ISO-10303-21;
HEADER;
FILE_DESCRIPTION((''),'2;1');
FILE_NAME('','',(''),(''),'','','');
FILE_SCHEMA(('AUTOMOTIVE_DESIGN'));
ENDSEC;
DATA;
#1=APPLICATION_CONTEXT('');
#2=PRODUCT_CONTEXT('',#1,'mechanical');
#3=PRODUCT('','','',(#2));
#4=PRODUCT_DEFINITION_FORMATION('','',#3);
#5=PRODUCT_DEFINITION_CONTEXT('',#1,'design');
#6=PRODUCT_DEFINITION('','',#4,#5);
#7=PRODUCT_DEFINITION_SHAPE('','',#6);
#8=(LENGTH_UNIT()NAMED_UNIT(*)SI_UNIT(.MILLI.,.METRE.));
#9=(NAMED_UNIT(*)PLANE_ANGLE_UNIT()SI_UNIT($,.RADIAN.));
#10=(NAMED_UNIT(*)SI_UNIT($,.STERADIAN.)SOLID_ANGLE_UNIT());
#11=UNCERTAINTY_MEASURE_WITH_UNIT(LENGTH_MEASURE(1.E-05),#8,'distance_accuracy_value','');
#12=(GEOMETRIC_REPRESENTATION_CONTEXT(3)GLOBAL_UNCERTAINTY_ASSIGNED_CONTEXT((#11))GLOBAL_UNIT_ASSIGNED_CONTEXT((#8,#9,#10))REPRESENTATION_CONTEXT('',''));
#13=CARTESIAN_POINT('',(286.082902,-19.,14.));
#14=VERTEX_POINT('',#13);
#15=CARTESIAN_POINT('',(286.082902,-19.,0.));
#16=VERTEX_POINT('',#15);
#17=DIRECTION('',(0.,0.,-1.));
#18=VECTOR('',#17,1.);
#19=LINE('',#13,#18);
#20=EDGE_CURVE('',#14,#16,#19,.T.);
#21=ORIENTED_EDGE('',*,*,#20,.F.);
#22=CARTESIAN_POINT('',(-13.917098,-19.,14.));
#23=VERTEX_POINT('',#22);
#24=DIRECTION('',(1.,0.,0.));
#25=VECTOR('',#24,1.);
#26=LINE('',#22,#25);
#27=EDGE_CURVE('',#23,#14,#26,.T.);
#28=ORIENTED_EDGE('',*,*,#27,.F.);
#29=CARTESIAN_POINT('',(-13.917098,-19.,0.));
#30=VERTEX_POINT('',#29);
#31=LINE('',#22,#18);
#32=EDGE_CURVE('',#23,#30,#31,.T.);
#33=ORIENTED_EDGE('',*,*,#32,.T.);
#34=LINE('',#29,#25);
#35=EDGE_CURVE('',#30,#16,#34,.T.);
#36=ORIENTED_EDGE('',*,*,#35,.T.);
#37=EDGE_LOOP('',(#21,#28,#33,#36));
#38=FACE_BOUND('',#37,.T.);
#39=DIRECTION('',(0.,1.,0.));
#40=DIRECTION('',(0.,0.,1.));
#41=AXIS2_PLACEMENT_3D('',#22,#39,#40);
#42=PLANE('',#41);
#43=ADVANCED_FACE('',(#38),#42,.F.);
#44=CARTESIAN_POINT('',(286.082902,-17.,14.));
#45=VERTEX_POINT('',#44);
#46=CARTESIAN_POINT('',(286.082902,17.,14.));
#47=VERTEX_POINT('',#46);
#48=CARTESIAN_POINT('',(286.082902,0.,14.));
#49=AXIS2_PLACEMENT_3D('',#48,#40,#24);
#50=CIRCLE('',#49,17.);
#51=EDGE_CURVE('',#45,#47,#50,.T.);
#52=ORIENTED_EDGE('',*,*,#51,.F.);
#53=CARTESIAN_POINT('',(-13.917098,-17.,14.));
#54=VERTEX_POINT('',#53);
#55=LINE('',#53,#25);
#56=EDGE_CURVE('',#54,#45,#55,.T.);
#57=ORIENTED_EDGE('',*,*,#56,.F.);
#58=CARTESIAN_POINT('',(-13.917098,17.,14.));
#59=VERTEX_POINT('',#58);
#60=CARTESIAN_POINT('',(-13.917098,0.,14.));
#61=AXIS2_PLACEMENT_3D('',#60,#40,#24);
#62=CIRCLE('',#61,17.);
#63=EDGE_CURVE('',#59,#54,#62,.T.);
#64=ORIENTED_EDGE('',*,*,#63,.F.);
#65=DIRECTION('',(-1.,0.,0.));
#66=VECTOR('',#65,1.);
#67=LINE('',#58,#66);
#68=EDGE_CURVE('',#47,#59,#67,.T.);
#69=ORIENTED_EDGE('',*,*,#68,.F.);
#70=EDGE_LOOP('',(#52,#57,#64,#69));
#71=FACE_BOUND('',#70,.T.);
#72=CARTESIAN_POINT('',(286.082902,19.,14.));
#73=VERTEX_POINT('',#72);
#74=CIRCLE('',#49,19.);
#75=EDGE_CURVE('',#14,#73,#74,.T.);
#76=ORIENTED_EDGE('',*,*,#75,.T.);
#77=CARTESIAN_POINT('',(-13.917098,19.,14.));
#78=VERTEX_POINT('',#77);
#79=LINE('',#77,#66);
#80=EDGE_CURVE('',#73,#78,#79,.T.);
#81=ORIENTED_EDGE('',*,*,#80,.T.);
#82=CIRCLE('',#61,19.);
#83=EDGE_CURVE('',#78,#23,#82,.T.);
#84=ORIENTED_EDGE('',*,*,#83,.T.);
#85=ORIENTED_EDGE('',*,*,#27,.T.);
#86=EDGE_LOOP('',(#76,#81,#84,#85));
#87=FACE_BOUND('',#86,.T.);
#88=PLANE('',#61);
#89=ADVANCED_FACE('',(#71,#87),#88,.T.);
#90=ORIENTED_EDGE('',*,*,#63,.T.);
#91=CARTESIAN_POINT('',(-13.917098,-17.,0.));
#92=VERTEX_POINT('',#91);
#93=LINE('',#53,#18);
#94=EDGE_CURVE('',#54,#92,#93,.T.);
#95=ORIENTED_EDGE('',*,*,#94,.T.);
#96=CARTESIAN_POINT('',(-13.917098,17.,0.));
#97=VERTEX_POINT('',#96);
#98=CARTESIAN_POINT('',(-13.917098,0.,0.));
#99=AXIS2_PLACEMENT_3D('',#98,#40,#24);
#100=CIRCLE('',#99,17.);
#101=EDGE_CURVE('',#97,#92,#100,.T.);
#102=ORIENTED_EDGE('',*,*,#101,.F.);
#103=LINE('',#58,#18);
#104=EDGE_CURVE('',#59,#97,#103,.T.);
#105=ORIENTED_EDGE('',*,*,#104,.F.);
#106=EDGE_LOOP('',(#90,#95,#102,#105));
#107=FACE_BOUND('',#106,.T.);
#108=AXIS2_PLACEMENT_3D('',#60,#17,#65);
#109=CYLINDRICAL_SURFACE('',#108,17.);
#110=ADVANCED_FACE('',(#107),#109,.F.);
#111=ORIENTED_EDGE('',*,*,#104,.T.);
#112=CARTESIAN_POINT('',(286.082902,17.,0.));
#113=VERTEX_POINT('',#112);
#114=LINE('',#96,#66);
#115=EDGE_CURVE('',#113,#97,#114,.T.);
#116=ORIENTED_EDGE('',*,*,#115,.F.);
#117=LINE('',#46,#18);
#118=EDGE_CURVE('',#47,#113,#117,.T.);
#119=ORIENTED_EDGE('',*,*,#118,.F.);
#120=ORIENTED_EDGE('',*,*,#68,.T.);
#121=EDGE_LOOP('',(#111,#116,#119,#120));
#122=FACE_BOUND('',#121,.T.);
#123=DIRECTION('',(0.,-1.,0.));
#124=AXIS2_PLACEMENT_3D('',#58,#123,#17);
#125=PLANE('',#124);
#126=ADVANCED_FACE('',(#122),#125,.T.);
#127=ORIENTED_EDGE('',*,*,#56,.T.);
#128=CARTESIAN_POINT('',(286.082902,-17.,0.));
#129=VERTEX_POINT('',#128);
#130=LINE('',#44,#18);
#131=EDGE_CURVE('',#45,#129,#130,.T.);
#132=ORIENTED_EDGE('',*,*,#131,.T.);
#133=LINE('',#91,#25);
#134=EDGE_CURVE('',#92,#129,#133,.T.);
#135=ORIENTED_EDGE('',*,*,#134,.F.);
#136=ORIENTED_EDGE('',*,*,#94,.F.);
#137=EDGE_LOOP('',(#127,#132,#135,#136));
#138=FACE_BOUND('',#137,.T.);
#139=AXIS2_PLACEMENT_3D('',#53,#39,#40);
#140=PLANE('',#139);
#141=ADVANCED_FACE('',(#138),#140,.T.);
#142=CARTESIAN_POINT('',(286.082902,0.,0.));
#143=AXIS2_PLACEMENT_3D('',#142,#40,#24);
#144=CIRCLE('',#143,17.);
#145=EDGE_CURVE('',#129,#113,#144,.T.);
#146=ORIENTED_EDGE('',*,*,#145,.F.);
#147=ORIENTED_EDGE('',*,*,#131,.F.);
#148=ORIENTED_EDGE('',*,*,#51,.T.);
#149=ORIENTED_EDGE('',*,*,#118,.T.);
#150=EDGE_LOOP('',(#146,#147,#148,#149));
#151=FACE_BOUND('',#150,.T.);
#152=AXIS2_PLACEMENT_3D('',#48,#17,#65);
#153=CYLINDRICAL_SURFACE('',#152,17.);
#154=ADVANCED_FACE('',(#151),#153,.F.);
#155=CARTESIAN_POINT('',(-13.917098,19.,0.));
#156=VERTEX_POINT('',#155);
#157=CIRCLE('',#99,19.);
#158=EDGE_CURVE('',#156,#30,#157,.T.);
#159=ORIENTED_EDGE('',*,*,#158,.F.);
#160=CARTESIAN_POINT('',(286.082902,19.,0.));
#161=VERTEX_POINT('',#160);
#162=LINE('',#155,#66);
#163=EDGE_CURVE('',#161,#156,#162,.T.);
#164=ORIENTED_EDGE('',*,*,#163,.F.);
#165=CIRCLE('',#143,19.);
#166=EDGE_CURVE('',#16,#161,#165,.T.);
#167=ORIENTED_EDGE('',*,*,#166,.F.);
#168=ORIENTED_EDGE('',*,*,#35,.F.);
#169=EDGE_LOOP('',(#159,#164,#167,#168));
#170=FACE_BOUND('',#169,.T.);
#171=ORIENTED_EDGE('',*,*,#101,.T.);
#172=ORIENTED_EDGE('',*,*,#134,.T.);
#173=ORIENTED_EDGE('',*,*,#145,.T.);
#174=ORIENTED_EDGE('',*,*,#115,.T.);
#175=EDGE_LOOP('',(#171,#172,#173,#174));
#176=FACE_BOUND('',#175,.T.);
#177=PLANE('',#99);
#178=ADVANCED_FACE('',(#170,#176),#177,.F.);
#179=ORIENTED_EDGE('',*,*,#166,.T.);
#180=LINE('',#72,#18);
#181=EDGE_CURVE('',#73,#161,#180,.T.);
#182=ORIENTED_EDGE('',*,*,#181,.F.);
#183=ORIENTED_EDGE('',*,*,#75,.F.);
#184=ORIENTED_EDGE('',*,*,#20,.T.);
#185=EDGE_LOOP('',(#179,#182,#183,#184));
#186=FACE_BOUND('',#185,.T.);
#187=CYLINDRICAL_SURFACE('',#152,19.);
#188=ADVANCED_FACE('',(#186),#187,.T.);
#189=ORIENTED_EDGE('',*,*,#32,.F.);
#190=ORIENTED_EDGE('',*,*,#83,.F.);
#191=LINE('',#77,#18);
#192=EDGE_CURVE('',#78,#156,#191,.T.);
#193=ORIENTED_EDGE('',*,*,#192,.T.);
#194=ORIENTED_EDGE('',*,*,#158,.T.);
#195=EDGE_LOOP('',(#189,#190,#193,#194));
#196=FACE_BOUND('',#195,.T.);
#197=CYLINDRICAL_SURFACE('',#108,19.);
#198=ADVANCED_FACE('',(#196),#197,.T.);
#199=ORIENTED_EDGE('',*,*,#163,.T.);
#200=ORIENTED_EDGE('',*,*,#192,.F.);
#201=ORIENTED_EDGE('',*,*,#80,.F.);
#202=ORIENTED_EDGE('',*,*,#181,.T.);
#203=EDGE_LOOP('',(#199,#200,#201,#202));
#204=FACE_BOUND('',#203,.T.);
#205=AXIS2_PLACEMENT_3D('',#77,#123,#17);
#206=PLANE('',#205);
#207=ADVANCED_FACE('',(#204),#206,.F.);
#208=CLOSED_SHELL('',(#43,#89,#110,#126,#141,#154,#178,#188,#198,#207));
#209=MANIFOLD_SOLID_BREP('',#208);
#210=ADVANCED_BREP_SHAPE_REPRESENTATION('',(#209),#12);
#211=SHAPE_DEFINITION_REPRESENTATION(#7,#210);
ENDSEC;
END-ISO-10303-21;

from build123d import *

# Parameters (mm, degrees)
EXTRUDE_1_DEPTH = 14


with BuildPart() as part:
    # 草图1 → 拉伸-薄壁1 (new body)
    with BuildSketch(Plane.XY):
        with BuildLine():
            Line((286.082901554, -19), (-13.917098446, -19))
            ThreePointArc((-13.917098446, -19), (-32.917098446, 0), (-13.917098446, 19))
            Line((-13.917098446, 19), (286.082901554, 19))
            ThreePointArc((286.082901554, 19), (305.082901554, 0), (286.082901554, -19))
        make_face()
        with BuildLine():
            Line((286.082901554, -17), (-13.917098446, -17))
            ThreePointArc((-13.917098446, -17), (-30.917098446, 0), (-13.917098446, 17))
            Line((-13.917098446, 17), (286.082901554, 17))
            ThreePointArc((286.082901554, 17), (303.082901554, 0), (286.082901554, -17))
        make_face(mode=Mode.SUBTRACT)
    extrude(amount=EXTRUDE_1_DEPTH)


solid = part.part
